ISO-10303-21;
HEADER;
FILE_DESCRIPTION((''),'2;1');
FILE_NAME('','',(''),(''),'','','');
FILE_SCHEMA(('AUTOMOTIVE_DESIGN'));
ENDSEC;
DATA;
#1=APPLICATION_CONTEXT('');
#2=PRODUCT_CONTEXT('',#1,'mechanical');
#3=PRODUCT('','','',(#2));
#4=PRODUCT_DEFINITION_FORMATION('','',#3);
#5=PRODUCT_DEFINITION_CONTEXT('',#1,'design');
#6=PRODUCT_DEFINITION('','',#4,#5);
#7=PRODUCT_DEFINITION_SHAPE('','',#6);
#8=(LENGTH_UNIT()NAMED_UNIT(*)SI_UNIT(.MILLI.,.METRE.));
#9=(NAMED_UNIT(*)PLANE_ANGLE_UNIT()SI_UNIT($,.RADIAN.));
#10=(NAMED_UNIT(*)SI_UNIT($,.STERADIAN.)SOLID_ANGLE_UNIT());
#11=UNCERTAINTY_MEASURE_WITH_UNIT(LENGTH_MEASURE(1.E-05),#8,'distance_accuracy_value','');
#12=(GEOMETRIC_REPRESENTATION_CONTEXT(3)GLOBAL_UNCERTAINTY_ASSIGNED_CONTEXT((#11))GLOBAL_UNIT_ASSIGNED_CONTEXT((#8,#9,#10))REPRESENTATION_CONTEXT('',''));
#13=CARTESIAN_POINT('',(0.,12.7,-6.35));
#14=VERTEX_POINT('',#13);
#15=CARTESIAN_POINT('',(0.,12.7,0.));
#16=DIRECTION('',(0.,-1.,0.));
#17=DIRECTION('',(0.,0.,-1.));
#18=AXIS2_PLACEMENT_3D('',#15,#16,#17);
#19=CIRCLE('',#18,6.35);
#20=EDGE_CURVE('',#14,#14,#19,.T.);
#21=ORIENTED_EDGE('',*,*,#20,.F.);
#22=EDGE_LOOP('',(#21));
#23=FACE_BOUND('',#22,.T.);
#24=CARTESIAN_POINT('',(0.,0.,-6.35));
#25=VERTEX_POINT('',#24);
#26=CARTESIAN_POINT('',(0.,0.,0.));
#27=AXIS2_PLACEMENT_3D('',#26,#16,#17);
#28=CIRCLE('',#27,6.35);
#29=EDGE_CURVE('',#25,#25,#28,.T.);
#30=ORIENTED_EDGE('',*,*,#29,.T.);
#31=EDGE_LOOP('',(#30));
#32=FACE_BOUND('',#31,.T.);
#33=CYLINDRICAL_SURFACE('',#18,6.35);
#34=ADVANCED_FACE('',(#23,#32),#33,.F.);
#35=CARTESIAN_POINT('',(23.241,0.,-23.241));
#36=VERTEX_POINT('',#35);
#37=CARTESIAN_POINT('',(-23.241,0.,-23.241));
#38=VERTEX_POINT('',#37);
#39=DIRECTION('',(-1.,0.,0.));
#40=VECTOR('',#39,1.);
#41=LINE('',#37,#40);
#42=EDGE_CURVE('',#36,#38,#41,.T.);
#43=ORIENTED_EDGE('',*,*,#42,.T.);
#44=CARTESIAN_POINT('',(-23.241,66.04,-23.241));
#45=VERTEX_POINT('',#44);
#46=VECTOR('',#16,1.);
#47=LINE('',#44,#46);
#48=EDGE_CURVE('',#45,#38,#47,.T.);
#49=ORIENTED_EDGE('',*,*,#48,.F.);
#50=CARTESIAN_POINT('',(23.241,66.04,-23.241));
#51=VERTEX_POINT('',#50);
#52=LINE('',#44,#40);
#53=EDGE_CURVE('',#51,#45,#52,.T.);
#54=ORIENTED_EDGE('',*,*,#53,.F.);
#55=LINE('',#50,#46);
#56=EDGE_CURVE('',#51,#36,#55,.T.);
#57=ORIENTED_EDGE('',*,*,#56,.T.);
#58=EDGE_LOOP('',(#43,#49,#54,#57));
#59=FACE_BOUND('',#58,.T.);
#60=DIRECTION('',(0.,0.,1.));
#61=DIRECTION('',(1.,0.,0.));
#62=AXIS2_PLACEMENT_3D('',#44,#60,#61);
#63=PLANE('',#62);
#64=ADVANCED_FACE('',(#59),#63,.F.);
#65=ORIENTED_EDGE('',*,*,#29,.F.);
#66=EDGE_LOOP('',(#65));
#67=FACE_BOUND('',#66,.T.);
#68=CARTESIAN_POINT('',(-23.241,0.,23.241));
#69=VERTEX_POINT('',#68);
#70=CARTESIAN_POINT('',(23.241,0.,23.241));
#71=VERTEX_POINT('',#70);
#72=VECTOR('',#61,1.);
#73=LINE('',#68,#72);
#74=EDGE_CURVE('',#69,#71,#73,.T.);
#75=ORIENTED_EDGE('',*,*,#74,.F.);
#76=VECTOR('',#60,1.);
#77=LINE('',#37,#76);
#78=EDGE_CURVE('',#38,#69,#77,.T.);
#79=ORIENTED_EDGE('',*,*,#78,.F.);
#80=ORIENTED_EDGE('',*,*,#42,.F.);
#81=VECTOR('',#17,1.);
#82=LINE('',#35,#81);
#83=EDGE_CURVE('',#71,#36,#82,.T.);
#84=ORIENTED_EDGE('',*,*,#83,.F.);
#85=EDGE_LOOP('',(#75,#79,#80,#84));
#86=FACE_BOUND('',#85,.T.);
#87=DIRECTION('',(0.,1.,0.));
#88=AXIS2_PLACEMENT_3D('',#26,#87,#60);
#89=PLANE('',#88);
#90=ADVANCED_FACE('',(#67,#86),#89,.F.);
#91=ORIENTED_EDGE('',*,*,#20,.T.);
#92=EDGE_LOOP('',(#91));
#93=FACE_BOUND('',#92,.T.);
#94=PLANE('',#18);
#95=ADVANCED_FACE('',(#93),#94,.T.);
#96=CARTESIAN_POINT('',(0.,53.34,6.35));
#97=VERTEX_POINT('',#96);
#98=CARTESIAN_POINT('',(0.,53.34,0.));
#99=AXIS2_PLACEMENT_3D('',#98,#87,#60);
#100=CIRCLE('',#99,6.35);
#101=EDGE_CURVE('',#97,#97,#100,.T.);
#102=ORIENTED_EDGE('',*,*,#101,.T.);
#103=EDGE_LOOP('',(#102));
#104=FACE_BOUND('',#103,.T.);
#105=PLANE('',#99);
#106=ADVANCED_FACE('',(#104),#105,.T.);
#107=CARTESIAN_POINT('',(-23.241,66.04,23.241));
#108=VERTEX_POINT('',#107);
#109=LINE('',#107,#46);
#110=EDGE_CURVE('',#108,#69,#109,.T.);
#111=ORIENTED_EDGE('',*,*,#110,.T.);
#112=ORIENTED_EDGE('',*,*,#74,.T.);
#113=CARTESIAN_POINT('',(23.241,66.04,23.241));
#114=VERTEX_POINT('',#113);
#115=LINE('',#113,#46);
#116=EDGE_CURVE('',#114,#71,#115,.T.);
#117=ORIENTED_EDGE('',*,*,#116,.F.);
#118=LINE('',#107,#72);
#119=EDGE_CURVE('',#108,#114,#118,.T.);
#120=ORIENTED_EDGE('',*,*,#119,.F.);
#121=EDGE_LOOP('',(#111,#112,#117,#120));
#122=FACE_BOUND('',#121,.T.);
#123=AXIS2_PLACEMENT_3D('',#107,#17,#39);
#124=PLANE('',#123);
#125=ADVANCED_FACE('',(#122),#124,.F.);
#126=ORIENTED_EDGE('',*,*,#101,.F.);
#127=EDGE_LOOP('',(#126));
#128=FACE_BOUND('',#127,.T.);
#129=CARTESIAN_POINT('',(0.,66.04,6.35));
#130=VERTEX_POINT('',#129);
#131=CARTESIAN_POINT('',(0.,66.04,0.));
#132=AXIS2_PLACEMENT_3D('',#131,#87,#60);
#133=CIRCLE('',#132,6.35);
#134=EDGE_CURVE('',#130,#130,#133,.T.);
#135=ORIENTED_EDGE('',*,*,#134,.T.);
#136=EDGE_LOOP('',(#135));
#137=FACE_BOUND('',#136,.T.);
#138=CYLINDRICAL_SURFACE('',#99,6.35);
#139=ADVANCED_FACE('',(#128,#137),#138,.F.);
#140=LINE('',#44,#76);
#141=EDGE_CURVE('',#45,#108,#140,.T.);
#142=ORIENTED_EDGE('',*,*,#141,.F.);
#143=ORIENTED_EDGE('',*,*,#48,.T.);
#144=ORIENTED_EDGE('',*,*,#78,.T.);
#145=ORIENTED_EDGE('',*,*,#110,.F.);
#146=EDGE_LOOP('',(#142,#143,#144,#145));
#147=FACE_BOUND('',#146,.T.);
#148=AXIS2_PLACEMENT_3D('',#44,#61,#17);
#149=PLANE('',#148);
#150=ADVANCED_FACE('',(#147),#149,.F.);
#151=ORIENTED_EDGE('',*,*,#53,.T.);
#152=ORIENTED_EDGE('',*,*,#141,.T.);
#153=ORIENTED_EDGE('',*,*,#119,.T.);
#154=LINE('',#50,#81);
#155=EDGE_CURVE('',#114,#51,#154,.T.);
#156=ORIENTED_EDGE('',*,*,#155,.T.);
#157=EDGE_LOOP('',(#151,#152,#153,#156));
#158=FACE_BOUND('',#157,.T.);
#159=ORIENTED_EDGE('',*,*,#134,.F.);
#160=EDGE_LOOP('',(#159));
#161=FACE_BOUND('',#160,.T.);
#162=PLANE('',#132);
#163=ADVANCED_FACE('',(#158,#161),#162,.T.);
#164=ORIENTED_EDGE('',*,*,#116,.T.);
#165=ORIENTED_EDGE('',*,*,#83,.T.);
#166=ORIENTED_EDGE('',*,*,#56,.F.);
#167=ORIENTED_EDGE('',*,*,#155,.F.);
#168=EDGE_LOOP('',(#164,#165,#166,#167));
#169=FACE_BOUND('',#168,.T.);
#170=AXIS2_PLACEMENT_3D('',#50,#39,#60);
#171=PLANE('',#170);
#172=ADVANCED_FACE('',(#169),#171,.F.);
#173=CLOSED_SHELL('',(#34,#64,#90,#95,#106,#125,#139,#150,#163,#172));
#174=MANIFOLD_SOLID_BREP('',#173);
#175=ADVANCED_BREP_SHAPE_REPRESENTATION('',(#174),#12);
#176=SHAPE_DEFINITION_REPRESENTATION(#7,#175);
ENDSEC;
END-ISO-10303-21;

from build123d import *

# Parameters (mm, degrees)
SKETCH2_W           = 46.482
SKETCH2_H           = 46.482
BOSS_EXTRUDE1_DEPTH = 66.04
SKETCH3_R           = 6.35
CUT_EXTRUDE1_DEPTH  = 12.7
SKETCH4_R           = 6.35
CUT_EXTRUDE2_DEPTH  = 12.7


with BuildPart() as part:
    # Sketch2 → Boss-Extrude1 (new body)
    with BuildSketch(Plane(origin=(0, 0, 0), x_dir=(1, 0, 0), z_dir=(0, 1, 0))):
        Rectangle(SKETCH2_W, SKETCH2_H)
    extrude(amount=BOSS_EXTRUDE1_DEPTH)

    # Sketch3 → Cut-Extrude1 (cut)
    with BuildSketch(Plane(origin=(0, 66.04, 0), x_dir=(1, 0, 0), z_dir=(0, 1, 0))):
        Circle(SKETCH3_R)
    extrude(amount=-CUT_EXTRUDE1_DEPTH, mode=Mode.SUBTRACT)

    # Sketch4 → Cut-Extrude2 (cut)
    with BuildSketch(Plane.XZ):
        Circle(SKETCH4_R)
    extrude(amount=-CUT_EXTRUDE2_DEPTH, mode=Mode.SUBTRACT)


solid = part.part
